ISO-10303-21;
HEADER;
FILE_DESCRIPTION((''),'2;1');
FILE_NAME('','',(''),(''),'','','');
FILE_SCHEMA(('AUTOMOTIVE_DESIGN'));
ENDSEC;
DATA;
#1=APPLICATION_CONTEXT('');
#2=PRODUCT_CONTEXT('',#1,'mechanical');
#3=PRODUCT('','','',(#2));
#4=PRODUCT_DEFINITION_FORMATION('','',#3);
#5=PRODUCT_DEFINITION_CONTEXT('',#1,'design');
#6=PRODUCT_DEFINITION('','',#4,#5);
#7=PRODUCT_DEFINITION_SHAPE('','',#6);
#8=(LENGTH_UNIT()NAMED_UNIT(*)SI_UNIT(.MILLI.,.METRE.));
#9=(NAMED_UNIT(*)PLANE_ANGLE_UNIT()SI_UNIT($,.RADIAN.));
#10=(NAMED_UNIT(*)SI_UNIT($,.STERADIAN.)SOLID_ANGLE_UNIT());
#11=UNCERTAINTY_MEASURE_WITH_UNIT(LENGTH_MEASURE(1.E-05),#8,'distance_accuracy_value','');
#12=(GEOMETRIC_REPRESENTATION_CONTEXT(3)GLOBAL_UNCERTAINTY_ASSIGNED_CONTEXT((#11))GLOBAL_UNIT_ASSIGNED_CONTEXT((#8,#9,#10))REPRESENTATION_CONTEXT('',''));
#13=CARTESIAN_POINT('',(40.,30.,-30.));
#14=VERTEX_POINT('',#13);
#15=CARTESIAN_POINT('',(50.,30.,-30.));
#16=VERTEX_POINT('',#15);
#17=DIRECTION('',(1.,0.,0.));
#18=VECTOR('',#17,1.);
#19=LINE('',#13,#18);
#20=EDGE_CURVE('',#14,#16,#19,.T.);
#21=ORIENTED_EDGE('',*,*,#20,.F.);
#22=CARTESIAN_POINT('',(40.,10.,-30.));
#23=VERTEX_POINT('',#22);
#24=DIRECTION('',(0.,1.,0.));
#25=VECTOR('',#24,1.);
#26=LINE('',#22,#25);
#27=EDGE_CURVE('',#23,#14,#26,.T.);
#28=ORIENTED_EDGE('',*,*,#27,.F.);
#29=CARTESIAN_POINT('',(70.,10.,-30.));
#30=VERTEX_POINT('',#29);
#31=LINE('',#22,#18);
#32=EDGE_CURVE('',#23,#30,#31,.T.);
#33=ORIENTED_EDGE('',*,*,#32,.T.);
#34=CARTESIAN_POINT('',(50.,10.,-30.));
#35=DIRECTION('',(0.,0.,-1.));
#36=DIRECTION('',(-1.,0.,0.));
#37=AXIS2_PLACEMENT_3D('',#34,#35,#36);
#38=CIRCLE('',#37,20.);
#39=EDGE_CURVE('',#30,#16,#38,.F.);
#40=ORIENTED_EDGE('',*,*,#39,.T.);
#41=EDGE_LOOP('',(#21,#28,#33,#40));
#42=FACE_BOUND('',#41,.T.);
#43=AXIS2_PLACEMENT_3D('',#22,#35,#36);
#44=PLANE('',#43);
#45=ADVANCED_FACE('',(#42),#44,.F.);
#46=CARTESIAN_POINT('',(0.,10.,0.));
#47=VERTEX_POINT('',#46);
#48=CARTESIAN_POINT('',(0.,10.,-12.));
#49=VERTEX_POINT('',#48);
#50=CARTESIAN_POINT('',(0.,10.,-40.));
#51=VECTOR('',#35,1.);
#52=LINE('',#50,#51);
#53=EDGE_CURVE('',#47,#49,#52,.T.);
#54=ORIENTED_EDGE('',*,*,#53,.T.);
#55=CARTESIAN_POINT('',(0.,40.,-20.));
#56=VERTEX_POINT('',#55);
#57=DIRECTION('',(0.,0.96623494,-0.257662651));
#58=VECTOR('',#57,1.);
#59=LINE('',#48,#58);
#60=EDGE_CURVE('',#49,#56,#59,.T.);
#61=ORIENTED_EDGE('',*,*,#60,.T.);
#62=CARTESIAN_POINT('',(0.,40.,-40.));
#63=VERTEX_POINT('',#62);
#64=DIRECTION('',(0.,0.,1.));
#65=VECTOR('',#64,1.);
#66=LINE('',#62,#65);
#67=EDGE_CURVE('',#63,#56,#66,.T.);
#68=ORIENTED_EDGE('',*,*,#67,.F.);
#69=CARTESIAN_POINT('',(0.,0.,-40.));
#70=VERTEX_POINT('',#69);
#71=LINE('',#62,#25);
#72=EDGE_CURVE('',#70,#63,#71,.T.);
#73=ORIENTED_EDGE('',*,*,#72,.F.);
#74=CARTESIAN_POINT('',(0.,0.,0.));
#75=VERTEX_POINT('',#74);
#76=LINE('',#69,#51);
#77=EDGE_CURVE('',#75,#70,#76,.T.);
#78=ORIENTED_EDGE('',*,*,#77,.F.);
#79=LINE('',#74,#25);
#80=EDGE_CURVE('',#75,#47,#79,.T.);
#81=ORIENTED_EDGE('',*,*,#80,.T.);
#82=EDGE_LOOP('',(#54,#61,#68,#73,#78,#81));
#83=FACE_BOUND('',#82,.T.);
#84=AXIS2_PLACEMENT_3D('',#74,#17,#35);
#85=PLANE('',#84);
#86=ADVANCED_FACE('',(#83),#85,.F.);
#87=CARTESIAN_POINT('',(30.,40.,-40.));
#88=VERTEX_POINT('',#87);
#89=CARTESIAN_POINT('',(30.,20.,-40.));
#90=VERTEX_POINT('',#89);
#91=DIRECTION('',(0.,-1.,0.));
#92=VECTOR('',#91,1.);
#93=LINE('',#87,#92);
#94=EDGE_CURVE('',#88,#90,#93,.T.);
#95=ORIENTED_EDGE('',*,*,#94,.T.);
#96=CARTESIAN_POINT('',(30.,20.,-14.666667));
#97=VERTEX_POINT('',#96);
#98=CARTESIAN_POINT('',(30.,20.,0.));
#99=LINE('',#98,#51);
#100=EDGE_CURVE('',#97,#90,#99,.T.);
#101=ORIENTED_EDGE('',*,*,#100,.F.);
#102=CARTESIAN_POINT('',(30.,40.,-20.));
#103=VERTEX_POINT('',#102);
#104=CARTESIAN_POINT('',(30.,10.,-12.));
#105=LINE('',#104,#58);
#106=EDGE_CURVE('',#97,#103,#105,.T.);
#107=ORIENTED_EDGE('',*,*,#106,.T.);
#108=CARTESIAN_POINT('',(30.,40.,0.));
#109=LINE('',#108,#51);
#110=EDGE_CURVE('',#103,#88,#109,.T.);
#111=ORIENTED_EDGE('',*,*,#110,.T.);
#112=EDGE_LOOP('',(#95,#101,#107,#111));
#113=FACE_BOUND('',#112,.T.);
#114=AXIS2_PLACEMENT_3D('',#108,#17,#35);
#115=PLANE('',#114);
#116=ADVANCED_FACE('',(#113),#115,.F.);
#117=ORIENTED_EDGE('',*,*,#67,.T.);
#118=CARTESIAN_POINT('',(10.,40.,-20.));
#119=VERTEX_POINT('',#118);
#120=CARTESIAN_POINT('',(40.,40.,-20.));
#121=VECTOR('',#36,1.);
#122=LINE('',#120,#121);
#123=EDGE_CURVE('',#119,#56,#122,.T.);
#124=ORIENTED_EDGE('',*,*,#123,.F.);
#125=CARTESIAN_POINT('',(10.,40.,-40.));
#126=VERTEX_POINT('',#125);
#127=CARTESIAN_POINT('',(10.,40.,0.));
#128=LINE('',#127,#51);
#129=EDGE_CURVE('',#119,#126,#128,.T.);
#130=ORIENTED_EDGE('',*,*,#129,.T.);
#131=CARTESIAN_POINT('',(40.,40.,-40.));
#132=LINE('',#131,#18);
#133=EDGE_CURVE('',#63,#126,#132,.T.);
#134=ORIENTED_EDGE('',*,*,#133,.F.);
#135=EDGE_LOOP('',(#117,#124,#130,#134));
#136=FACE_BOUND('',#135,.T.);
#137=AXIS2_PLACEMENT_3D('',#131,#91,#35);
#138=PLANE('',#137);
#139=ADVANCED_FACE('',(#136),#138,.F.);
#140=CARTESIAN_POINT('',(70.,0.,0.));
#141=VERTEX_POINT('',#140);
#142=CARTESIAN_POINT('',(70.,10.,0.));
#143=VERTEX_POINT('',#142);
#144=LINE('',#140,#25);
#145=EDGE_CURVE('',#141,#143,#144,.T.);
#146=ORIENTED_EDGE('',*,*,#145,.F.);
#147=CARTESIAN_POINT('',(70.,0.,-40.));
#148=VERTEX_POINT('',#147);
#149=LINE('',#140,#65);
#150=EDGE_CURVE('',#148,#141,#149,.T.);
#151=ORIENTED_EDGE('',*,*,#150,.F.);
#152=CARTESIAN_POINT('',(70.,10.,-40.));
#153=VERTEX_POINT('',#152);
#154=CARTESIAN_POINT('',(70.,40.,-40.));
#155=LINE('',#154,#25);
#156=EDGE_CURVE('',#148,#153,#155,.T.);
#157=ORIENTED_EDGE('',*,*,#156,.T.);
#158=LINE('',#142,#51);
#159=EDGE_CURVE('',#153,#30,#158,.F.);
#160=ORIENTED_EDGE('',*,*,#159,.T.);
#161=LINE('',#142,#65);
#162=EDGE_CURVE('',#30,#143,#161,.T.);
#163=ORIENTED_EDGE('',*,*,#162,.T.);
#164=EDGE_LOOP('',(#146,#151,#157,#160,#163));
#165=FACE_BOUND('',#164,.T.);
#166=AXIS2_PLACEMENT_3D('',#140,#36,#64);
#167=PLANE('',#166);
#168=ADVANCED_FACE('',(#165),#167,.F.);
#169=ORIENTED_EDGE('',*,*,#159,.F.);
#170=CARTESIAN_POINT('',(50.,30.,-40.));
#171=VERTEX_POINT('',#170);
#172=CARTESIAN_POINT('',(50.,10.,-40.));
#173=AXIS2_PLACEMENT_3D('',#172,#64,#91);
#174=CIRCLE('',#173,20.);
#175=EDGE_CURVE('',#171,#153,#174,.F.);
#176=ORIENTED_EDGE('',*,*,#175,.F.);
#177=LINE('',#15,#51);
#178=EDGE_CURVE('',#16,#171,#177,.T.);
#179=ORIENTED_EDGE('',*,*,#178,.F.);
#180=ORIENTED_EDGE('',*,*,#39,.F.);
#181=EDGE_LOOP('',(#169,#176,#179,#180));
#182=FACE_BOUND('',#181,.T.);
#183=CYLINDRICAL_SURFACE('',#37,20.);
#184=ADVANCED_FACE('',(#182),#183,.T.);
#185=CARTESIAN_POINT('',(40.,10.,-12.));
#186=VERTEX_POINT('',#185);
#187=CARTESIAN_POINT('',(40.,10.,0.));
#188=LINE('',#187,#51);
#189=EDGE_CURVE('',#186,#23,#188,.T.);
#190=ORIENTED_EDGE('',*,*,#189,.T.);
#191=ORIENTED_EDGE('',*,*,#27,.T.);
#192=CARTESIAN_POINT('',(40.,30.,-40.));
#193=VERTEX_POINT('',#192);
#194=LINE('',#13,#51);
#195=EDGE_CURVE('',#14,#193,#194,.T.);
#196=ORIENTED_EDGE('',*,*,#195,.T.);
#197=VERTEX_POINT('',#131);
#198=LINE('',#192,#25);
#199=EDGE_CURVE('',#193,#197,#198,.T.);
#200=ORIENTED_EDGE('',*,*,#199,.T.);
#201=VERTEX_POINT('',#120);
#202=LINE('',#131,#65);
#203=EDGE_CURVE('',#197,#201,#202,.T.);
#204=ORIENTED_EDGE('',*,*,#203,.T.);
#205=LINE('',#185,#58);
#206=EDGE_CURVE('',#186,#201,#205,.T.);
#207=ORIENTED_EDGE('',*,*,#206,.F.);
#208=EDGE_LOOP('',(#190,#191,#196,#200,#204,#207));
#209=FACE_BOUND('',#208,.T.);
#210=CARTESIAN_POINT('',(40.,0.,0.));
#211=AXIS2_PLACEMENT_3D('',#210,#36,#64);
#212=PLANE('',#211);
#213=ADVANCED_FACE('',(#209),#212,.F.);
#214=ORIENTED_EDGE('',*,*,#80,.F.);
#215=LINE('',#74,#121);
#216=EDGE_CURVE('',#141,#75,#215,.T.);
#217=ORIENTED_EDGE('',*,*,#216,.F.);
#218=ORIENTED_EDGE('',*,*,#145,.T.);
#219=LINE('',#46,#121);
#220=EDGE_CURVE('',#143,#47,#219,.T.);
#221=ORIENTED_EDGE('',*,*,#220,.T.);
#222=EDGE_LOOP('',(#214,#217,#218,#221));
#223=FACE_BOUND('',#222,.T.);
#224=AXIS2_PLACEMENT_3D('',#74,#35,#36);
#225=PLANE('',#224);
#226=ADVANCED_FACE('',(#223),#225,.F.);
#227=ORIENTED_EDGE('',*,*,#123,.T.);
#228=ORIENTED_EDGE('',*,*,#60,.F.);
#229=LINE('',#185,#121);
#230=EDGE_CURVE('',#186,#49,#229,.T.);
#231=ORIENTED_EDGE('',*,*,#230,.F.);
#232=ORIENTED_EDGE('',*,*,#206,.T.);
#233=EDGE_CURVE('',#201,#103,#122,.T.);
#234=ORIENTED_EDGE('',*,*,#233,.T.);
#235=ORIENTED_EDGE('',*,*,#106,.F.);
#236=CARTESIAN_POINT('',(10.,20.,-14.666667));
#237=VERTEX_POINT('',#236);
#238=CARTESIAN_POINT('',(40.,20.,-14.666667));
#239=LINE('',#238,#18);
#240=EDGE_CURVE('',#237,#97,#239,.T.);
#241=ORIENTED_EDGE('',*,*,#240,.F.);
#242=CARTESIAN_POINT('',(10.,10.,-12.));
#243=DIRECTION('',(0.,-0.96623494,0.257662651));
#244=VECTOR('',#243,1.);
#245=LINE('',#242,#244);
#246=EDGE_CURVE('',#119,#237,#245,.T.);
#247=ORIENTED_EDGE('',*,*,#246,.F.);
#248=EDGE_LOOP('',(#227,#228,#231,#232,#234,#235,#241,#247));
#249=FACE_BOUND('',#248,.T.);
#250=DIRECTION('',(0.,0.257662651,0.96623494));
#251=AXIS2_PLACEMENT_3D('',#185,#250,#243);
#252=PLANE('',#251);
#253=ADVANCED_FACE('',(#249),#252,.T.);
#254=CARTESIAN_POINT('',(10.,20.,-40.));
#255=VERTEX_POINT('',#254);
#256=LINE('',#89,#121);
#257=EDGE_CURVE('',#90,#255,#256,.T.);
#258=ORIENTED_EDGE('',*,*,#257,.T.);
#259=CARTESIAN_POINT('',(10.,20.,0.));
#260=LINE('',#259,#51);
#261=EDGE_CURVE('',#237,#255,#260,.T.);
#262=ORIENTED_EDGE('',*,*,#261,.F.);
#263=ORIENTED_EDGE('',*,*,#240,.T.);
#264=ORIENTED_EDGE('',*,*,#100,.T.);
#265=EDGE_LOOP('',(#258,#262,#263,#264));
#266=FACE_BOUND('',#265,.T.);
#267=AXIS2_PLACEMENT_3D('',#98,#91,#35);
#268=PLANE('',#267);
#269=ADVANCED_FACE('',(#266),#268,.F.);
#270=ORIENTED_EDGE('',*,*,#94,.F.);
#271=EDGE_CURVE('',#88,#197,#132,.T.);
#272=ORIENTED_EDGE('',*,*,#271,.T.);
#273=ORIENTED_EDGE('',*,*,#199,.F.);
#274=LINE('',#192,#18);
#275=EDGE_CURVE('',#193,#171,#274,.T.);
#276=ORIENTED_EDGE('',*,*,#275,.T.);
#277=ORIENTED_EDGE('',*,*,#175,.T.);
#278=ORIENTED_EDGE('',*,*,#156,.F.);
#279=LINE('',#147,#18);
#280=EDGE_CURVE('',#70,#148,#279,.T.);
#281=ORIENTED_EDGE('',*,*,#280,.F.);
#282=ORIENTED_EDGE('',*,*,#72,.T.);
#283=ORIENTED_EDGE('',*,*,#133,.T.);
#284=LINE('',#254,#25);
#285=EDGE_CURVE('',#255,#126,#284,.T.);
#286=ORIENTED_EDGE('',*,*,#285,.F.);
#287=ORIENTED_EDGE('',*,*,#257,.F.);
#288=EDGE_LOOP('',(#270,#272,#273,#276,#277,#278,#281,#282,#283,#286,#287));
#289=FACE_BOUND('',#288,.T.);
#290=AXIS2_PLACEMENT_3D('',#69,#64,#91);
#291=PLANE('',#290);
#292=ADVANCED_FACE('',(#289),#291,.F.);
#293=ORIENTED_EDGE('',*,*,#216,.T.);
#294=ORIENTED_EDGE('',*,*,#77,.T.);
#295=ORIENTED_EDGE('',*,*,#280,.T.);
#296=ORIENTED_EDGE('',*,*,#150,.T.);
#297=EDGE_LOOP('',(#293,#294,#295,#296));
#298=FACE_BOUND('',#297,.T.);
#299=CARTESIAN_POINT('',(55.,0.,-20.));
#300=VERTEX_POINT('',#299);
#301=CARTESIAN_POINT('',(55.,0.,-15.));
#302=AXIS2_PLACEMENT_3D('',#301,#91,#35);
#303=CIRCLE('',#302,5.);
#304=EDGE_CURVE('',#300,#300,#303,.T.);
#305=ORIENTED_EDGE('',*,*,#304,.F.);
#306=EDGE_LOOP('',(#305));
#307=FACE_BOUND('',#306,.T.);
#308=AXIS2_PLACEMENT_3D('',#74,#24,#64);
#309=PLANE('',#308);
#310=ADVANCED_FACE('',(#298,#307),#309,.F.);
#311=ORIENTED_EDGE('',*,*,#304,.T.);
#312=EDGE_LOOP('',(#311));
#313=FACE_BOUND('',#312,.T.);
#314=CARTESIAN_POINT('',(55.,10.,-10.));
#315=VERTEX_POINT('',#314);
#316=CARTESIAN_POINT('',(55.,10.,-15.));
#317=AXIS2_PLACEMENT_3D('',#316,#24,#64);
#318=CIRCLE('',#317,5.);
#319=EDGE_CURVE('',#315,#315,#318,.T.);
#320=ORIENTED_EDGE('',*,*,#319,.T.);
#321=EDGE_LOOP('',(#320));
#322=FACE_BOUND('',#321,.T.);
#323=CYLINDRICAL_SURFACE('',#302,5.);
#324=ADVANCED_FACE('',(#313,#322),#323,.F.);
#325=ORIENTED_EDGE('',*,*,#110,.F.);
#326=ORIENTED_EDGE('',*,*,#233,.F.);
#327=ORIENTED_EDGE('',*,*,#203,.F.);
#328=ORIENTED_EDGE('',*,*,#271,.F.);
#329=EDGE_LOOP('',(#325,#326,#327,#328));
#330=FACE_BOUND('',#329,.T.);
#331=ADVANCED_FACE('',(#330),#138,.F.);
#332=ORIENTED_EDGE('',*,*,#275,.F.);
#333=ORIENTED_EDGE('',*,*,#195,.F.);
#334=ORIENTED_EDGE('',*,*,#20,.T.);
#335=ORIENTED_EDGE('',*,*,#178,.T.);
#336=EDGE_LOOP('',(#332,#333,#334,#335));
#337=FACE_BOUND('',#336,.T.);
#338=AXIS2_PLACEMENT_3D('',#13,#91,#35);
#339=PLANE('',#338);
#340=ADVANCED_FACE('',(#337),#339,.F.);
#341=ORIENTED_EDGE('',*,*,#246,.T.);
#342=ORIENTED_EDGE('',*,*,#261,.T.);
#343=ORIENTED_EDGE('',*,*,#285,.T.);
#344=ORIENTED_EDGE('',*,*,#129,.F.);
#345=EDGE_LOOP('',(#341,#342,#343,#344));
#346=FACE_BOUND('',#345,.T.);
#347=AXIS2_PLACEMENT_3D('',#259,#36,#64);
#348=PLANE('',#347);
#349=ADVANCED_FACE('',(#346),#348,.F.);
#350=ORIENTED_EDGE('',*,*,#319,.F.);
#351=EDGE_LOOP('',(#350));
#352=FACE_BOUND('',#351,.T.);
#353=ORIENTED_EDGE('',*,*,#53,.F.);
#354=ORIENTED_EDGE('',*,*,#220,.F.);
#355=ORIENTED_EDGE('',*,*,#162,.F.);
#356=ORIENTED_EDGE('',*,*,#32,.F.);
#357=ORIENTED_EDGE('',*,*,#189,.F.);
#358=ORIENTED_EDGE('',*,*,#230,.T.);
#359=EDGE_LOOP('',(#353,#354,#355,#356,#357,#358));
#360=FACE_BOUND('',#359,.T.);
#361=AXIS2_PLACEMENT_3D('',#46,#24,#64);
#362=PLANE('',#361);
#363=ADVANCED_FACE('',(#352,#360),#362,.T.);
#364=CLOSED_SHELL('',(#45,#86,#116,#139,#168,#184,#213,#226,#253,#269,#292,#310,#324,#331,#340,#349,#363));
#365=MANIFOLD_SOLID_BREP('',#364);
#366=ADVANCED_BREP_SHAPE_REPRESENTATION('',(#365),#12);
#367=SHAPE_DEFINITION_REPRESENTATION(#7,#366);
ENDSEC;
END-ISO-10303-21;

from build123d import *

# Parameters (mm, degrees)
BOSS_EXTRUDE1_DEPTH            = 40
SKETCH2_W                      = 40
SKETCH2_H                      = 30
BOSS_EXTRUDE2_DEPTH            = 20
BOSS_EXTRUDE3_DEPTH            = 30
CUT_EXTRUDE1_DEPTH             = 30
SKETCH5_W                      = 70
SKETCH5_H                      = 40
BOSS_EXTRUDE4_DEPTH            = 10
SKETCH6_W                      = 20
SKETCH6_H                      = 20
CUT_EXTRUDE2_DEPTH             = 41
F_10_0_10_DIAMETER_HOLE1_D     = 10
F_10_0_10_DIAMETER_HOLE1_DEPTH = 40
FILLET1_R                      = 20


with BuildPart() as part:
    # Sketch1 → Boss-Extrude1 (new body)
    with BuildSketch(Plane(origin=(0, 0, 0), x_dir=(0, -1, 0), z_dir=(-1, 0, 0))):
        Polygon((-10, -12), (-40, -20), (-10, -20), align=None)
    extrude(amount=-BOSS_EXTRUDE1_DEPTH)

    # Sketch2 → Boss-Extrude2 (add)
    with BuildSketch(Plane(origin=(0, 0, -20), x_dir=(-1, 0, 0), z_dir=(0, 0, -1))):
        with Locations((-20, 25)):
            Rectangle(SKETCH2_W, SKETCH2_H)
    extrude(amount=BOSS_EXTRUDE2_DEPTH)

    # Sketch3 → Boss-Extrude3 (add)
    with BuildSketch(Plane(origin=(40, 0, 0), x_dir=(0, 0, -1), z_dir=(1, 0, 0))):
        Polygon((40, 10), (0, 10), (20, 40), (40, 40), align=None)
    extrude(amount=BOSS_EXTRUDE3_DEPTH)

    # Sketch4 → Cut-Extrude1 (cut)
    with BuildSketch(Plane(origin=(70, 0, 0), x_dir=(0, 0, -1), z_dir=(1, 0, 0))):
        Polygon((20, 40), (0, 10), (30, 10), (30, 30), (40, 30), (40, 40), align=None)
    extrude(amount=-CUT_EXTRUDE1_DEPTH, mode=Mode.SUBTRACT)

    # Sketch5 → Boss-Extrude4 (add)
    with BuildSketch(Plane.XZ.offset(-10)):
        with Locations((35, -20)):
            Rectangle(SKETCH5_W, SKETCH5_H)
    extrude(amount=BOSS_EXTRUDE4_DEPTH)

    # Sketch6 → Cut-Extrude2 (cut, through all)
    with BuildSketch(Plane(origin=(0, 0, -40), x_dir=(-1, 0, 0), z_dir=(0, 0, -1))):
        with Locations((-20, 30)):
            Rectangle(SKETCH6_W, SKETCH6_H)
    extrude(amount=-CUT_EXTRUDE2_DEPTH, mode=Mode.SUBTRACT)

    # Ø10.0 (10) Diameter Hole1
    with Locations(Plane(origin=(0, 0, 0), x_dir=(-1, 0, 0), z_dir=(0, -1, 0))):
        with Locations((-55, 15)):
            Hole(F_10_0_10_DIAMETER_HOLE1_D / 2, depth=F_10_0_10_DIAMETER_HOLE1_DEPTH)

    # Fillet1
    fillet1_edges = [part.edges().sort_by_distance(p)[0] for p in [
        (70, 30, -35),
    ]]
    fillet(fillet1_edges, radius=FILLET1_R)


solid = part.part
